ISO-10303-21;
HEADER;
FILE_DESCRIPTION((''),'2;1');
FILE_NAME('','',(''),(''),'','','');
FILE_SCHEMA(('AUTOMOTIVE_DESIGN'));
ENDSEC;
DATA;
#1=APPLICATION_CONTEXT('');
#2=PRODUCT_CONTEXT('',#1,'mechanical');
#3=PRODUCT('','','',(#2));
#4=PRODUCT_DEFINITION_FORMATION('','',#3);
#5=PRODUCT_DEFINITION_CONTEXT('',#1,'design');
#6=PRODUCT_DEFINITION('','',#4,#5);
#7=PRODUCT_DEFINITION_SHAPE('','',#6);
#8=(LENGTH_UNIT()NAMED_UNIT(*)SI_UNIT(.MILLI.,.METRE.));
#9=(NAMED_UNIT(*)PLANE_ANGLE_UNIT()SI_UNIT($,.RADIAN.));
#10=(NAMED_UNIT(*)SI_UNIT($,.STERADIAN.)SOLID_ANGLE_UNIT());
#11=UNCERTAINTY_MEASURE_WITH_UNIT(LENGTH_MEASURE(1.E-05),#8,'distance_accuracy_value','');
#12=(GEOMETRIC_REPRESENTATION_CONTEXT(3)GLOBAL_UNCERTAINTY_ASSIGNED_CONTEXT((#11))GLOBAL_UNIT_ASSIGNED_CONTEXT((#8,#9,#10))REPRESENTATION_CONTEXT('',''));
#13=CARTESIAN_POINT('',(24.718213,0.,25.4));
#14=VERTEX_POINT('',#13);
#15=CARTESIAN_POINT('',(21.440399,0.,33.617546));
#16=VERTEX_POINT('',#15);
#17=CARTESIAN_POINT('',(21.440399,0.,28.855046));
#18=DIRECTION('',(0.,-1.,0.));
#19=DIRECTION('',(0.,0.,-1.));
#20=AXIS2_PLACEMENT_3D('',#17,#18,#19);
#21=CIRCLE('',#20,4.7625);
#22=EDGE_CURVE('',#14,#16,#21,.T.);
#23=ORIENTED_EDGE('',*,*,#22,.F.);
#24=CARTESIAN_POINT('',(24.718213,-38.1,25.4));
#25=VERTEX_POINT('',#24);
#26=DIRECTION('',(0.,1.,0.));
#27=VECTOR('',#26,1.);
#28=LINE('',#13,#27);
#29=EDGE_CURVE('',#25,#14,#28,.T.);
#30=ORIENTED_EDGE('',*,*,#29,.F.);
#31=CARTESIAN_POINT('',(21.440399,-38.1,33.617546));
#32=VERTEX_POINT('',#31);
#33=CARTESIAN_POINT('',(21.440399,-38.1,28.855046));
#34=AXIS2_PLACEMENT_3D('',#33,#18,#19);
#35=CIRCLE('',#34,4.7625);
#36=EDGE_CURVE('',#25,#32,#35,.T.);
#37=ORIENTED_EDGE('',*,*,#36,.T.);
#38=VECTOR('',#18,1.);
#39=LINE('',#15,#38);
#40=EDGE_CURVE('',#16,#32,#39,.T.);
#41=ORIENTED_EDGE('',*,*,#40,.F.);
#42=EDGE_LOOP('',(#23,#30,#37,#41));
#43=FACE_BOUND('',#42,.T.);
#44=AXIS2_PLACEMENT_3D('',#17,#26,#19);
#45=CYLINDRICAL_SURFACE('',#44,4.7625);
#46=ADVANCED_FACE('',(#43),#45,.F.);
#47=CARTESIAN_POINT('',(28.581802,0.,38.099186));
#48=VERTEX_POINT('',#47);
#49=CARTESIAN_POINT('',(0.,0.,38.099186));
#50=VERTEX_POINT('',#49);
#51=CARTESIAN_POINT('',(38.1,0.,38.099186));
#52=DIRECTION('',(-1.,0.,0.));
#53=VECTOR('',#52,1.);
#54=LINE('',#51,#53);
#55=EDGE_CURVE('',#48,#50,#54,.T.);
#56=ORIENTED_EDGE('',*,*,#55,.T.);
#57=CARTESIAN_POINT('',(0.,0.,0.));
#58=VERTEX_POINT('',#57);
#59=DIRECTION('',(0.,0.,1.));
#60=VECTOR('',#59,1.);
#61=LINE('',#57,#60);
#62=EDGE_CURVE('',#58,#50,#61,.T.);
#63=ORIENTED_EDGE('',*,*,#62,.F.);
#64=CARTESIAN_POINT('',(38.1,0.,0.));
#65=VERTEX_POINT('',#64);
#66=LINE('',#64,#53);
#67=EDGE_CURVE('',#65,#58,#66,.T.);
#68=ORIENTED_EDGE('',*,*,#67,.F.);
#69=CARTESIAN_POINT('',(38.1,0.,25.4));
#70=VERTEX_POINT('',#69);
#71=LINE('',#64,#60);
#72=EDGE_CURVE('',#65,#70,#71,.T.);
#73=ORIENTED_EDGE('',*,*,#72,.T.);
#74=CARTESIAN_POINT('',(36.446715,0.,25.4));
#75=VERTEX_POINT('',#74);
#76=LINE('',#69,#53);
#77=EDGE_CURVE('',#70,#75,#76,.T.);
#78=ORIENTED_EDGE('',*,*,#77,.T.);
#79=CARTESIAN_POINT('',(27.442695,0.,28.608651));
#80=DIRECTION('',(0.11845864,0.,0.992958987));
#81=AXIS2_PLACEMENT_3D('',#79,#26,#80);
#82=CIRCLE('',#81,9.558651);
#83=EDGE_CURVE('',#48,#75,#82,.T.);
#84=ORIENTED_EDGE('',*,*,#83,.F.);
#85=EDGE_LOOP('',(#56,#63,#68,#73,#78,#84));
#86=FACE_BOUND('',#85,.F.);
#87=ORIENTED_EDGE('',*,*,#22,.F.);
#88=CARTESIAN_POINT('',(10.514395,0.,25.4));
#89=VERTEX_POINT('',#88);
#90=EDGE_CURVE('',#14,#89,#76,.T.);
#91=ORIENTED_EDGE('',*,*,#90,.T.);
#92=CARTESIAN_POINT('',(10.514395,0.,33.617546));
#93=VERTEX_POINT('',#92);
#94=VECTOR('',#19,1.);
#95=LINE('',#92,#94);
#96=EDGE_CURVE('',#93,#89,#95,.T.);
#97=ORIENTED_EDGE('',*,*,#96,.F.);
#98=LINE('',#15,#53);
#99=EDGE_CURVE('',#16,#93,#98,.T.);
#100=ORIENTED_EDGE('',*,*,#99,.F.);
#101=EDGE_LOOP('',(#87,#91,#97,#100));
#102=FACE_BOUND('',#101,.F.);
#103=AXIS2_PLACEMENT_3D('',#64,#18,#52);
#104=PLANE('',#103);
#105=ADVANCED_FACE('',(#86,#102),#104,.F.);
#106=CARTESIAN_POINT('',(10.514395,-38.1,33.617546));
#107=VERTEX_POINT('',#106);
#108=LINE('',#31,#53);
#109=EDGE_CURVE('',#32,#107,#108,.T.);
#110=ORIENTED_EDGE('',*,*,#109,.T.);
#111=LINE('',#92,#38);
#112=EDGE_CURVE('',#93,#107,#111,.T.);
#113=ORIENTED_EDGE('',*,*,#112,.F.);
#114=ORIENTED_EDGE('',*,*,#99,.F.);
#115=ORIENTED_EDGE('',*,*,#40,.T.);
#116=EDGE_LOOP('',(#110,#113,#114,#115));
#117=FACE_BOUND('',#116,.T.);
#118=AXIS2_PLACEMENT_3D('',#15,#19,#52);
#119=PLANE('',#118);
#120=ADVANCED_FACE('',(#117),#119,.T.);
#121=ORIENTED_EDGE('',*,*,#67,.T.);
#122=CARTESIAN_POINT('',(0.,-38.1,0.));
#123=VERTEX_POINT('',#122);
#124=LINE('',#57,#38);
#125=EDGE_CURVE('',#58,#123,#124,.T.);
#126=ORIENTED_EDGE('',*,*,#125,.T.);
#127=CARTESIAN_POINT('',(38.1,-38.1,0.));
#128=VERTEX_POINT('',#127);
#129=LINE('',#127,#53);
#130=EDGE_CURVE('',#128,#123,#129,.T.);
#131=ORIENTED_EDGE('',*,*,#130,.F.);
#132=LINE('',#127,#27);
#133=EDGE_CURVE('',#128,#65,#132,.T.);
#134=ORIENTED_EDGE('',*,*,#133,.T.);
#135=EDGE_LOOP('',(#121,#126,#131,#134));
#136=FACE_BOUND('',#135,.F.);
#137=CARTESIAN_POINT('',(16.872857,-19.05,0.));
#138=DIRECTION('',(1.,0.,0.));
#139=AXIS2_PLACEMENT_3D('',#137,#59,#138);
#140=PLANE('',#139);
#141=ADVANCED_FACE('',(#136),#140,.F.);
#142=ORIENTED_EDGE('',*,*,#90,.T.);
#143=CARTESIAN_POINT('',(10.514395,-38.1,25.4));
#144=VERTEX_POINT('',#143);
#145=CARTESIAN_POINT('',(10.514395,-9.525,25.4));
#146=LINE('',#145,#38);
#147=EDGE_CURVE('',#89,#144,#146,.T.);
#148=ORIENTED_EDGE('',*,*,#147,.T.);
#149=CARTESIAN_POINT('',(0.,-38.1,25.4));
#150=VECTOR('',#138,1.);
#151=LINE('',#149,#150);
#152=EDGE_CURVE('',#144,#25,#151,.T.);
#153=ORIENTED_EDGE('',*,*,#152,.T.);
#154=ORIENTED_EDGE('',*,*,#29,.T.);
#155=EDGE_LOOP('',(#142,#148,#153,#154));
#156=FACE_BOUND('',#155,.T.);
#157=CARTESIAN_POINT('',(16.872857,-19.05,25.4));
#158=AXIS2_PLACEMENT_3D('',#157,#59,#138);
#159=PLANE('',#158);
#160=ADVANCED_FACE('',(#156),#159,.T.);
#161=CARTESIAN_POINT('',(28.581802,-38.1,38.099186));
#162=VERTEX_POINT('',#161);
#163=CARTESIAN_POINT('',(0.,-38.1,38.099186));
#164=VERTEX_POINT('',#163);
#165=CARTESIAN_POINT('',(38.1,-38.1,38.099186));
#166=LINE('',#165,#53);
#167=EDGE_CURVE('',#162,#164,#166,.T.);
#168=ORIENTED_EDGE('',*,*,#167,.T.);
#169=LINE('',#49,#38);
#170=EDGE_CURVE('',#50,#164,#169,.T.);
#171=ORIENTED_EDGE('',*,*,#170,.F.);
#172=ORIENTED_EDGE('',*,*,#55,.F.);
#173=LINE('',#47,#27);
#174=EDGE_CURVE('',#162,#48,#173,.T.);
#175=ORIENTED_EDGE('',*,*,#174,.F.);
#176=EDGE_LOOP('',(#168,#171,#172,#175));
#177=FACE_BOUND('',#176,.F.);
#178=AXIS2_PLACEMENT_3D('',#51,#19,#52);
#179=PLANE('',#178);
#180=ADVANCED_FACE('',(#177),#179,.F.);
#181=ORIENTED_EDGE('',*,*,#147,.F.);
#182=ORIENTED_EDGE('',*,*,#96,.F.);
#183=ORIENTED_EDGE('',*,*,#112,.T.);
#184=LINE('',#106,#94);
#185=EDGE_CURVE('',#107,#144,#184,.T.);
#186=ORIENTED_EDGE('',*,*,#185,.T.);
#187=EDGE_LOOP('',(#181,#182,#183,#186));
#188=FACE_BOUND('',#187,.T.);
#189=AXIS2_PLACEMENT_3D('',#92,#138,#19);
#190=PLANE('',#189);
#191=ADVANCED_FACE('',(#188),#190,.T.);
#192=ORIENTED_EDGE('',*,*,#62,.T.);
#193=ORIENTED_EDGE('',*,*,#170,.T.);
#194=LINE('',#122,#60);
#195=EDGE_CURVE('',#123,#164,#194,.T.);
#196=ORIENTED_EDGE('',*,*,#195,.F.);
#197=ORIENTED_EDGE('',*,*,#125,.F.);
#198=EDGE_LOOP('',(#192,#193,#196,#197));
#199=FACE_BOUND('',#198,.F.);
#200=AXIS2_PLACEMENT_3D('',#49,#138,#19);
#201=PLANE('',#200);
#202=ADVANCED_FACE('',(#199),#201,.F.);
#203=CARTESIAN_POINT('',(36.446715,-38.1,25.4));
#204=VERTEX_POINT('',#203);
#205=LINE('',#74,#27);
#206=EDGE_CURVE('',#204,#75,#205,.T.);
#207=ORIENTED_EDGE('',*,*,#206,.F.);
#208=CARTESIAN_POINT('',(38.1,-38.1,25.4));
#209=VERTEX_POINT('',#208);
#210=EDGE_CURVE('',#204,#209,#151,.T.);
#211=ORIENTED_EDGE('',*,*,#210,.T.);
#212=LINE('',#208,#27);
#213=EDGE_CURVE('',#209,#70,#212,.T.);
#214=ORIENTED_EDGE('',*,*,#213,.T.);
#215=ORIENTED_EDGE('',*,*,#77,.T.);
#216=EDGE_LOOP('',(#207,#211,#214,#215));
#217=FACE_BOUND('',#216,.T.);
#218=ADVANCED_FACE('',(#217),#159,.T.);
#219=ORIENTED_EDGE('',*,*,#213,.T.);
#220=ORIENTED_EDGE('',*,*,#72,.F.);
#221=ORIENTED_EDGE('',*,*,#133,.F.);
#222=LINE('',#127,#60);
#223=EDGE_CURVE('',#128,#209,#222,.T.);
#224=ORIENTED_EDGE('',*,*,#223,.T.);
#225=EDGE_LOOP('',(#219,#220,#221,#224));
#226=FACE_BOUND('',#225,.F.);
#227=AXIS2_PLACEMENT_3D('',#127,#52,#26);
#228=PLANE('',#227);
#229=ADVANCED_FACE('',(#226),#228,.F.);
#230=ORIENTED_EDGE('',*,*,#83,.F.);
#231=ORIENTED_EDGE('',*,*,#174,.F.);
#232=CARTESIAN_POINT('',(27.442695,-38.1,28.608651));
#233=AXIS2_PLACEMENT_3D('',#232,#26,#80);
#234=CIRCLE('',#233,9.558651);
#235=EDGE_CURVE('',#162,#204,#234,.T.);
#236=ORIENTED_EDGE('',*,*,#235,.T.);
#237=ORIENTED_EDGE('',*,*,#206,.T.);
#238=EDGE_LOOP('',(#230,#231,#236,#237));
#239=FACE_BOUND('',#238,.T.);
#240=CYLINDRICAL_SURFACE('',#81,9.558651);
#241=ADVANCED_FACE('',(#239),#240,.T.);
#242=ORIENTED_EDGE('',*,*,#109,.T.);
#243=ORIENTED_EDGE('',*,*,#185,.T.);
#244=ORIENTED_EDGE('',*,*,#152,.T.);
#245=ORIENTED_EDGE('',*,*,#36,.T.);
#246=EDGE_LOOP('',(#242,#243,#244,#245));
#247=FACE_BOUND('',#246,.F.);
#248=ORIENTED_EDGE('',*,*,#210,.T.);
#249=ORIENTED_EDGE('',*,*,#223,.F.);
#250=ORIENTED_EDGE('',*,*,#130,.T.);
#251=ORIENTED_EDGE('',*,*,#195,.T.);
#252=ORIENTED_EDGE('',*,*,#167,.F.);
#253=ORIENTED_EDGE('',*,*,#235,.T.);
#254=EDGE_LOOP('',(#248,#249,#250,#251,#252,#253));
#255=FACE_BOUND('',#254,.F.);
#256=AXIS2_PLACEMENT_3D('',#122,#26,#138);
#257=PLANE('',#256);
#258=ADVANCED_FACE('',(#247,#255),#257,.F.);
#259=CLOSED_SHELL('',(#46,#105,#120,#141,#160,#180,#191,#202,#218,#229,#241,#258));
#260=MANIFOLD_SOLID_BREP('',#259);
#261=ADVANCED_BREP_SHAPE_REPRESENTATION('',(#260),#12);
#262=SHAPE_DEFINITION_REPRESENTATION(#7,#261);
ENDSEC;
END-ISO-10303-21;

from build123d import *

# Parameters (mm, degrees)
F1_DEPTH = 38.1
F3_DEPTH = 38.1
F5_DEPTH = 25.4
F6_DEPTH = 25.4


with BuildPart() as f1:
    # F0 (on Front) → F1 (new body)
    with BuildSketch(Plane.XZ):
        Polygon((0, 38.099186), (0, 0), (37.85099, 0), (38.1, 38.099186), align=None)
    extrude(amount=F1_DEPTH)

    # F2 (on Front) → F3 (cut)
    with BuildSketch(Plane.XZ):
        with BuildLine():
            Line((10.514395, 33.617546), (10.514395, 24.092546))
            Line((10.514395, 24.092546), (21.440399, 24.092546))
            ThreePointArc((21.440399, 24.092546), (26.202899, 28.855046), (21.440399, 33.617546))
            Line((21.440399, 33.617546), (10.514395, 33.617546))
        make_face()
        with BuildLine():
            Line((10.513219, 14.010213), (10.513219, 4.485213))
            Line((10.513219, 4.485213), (21.435219, 4.485213))
            ThreePointArc((21.435219, 4.485213), (26.197719, 9.247713), (21.435219, 14.010213))
            Line((21.435219, 14.010213), (10.513219, 14.010213))
        make_face()
        with BuildLine():
            Line((38.1, 38.1), (28.575, 38.1))
            ThreePointArc((28.575, 38.1), (36.984506, 28.0415), (27.442695, 19.05))
            ThreePointArc((27.442695, 19.05), (36.984506, 10.0585), (28.575, 0))
            Line((28.575, 0), (38.1, 0))
            Line((38.1, 0), (38.1, 38.1))
        make_face()
    extrude(amount=F3_DEPTH, mode=Mode.SUBTRACT)

    # F4 (on Top) → F5 (join)
    with BuildSketch(Plane.XY):
        Polygon((38.1, 0), (0, 0), (0, -38.1), (38.1, -38.1), (38.1, -30.48), (7.62, -30.48), (7.62, -9.450001), (7.62, -7.62), (38.1, -7.62), align=None)
        Polygon((38.1, -30.48), (38.1, -7.62), (7.62, -7.62), (7.62, -9.450001), (7.62, -30.48), align=None)
    extrude(amount=F5_DEPTH)

    # F4 (on Top) → F6 (join)
    with BuildSketch(Plane.XY):
        Polygon((38.1, 0), (0, 0), (0, -38.1), (38.1, -38.1), (38.1, -30.48), (7.62, -30.48), (7.62, -9.450001), (7.62, -7.62), (38.1, -7.62), align=None)
        Polygon((38.1, -30.48), (38.1, -7.62), (7.62, -7.62), (7.62, -9.450001), (7.62, -30.48), align=None)
    extrude(amount=F6_DEPTH)


solid = f1.part
